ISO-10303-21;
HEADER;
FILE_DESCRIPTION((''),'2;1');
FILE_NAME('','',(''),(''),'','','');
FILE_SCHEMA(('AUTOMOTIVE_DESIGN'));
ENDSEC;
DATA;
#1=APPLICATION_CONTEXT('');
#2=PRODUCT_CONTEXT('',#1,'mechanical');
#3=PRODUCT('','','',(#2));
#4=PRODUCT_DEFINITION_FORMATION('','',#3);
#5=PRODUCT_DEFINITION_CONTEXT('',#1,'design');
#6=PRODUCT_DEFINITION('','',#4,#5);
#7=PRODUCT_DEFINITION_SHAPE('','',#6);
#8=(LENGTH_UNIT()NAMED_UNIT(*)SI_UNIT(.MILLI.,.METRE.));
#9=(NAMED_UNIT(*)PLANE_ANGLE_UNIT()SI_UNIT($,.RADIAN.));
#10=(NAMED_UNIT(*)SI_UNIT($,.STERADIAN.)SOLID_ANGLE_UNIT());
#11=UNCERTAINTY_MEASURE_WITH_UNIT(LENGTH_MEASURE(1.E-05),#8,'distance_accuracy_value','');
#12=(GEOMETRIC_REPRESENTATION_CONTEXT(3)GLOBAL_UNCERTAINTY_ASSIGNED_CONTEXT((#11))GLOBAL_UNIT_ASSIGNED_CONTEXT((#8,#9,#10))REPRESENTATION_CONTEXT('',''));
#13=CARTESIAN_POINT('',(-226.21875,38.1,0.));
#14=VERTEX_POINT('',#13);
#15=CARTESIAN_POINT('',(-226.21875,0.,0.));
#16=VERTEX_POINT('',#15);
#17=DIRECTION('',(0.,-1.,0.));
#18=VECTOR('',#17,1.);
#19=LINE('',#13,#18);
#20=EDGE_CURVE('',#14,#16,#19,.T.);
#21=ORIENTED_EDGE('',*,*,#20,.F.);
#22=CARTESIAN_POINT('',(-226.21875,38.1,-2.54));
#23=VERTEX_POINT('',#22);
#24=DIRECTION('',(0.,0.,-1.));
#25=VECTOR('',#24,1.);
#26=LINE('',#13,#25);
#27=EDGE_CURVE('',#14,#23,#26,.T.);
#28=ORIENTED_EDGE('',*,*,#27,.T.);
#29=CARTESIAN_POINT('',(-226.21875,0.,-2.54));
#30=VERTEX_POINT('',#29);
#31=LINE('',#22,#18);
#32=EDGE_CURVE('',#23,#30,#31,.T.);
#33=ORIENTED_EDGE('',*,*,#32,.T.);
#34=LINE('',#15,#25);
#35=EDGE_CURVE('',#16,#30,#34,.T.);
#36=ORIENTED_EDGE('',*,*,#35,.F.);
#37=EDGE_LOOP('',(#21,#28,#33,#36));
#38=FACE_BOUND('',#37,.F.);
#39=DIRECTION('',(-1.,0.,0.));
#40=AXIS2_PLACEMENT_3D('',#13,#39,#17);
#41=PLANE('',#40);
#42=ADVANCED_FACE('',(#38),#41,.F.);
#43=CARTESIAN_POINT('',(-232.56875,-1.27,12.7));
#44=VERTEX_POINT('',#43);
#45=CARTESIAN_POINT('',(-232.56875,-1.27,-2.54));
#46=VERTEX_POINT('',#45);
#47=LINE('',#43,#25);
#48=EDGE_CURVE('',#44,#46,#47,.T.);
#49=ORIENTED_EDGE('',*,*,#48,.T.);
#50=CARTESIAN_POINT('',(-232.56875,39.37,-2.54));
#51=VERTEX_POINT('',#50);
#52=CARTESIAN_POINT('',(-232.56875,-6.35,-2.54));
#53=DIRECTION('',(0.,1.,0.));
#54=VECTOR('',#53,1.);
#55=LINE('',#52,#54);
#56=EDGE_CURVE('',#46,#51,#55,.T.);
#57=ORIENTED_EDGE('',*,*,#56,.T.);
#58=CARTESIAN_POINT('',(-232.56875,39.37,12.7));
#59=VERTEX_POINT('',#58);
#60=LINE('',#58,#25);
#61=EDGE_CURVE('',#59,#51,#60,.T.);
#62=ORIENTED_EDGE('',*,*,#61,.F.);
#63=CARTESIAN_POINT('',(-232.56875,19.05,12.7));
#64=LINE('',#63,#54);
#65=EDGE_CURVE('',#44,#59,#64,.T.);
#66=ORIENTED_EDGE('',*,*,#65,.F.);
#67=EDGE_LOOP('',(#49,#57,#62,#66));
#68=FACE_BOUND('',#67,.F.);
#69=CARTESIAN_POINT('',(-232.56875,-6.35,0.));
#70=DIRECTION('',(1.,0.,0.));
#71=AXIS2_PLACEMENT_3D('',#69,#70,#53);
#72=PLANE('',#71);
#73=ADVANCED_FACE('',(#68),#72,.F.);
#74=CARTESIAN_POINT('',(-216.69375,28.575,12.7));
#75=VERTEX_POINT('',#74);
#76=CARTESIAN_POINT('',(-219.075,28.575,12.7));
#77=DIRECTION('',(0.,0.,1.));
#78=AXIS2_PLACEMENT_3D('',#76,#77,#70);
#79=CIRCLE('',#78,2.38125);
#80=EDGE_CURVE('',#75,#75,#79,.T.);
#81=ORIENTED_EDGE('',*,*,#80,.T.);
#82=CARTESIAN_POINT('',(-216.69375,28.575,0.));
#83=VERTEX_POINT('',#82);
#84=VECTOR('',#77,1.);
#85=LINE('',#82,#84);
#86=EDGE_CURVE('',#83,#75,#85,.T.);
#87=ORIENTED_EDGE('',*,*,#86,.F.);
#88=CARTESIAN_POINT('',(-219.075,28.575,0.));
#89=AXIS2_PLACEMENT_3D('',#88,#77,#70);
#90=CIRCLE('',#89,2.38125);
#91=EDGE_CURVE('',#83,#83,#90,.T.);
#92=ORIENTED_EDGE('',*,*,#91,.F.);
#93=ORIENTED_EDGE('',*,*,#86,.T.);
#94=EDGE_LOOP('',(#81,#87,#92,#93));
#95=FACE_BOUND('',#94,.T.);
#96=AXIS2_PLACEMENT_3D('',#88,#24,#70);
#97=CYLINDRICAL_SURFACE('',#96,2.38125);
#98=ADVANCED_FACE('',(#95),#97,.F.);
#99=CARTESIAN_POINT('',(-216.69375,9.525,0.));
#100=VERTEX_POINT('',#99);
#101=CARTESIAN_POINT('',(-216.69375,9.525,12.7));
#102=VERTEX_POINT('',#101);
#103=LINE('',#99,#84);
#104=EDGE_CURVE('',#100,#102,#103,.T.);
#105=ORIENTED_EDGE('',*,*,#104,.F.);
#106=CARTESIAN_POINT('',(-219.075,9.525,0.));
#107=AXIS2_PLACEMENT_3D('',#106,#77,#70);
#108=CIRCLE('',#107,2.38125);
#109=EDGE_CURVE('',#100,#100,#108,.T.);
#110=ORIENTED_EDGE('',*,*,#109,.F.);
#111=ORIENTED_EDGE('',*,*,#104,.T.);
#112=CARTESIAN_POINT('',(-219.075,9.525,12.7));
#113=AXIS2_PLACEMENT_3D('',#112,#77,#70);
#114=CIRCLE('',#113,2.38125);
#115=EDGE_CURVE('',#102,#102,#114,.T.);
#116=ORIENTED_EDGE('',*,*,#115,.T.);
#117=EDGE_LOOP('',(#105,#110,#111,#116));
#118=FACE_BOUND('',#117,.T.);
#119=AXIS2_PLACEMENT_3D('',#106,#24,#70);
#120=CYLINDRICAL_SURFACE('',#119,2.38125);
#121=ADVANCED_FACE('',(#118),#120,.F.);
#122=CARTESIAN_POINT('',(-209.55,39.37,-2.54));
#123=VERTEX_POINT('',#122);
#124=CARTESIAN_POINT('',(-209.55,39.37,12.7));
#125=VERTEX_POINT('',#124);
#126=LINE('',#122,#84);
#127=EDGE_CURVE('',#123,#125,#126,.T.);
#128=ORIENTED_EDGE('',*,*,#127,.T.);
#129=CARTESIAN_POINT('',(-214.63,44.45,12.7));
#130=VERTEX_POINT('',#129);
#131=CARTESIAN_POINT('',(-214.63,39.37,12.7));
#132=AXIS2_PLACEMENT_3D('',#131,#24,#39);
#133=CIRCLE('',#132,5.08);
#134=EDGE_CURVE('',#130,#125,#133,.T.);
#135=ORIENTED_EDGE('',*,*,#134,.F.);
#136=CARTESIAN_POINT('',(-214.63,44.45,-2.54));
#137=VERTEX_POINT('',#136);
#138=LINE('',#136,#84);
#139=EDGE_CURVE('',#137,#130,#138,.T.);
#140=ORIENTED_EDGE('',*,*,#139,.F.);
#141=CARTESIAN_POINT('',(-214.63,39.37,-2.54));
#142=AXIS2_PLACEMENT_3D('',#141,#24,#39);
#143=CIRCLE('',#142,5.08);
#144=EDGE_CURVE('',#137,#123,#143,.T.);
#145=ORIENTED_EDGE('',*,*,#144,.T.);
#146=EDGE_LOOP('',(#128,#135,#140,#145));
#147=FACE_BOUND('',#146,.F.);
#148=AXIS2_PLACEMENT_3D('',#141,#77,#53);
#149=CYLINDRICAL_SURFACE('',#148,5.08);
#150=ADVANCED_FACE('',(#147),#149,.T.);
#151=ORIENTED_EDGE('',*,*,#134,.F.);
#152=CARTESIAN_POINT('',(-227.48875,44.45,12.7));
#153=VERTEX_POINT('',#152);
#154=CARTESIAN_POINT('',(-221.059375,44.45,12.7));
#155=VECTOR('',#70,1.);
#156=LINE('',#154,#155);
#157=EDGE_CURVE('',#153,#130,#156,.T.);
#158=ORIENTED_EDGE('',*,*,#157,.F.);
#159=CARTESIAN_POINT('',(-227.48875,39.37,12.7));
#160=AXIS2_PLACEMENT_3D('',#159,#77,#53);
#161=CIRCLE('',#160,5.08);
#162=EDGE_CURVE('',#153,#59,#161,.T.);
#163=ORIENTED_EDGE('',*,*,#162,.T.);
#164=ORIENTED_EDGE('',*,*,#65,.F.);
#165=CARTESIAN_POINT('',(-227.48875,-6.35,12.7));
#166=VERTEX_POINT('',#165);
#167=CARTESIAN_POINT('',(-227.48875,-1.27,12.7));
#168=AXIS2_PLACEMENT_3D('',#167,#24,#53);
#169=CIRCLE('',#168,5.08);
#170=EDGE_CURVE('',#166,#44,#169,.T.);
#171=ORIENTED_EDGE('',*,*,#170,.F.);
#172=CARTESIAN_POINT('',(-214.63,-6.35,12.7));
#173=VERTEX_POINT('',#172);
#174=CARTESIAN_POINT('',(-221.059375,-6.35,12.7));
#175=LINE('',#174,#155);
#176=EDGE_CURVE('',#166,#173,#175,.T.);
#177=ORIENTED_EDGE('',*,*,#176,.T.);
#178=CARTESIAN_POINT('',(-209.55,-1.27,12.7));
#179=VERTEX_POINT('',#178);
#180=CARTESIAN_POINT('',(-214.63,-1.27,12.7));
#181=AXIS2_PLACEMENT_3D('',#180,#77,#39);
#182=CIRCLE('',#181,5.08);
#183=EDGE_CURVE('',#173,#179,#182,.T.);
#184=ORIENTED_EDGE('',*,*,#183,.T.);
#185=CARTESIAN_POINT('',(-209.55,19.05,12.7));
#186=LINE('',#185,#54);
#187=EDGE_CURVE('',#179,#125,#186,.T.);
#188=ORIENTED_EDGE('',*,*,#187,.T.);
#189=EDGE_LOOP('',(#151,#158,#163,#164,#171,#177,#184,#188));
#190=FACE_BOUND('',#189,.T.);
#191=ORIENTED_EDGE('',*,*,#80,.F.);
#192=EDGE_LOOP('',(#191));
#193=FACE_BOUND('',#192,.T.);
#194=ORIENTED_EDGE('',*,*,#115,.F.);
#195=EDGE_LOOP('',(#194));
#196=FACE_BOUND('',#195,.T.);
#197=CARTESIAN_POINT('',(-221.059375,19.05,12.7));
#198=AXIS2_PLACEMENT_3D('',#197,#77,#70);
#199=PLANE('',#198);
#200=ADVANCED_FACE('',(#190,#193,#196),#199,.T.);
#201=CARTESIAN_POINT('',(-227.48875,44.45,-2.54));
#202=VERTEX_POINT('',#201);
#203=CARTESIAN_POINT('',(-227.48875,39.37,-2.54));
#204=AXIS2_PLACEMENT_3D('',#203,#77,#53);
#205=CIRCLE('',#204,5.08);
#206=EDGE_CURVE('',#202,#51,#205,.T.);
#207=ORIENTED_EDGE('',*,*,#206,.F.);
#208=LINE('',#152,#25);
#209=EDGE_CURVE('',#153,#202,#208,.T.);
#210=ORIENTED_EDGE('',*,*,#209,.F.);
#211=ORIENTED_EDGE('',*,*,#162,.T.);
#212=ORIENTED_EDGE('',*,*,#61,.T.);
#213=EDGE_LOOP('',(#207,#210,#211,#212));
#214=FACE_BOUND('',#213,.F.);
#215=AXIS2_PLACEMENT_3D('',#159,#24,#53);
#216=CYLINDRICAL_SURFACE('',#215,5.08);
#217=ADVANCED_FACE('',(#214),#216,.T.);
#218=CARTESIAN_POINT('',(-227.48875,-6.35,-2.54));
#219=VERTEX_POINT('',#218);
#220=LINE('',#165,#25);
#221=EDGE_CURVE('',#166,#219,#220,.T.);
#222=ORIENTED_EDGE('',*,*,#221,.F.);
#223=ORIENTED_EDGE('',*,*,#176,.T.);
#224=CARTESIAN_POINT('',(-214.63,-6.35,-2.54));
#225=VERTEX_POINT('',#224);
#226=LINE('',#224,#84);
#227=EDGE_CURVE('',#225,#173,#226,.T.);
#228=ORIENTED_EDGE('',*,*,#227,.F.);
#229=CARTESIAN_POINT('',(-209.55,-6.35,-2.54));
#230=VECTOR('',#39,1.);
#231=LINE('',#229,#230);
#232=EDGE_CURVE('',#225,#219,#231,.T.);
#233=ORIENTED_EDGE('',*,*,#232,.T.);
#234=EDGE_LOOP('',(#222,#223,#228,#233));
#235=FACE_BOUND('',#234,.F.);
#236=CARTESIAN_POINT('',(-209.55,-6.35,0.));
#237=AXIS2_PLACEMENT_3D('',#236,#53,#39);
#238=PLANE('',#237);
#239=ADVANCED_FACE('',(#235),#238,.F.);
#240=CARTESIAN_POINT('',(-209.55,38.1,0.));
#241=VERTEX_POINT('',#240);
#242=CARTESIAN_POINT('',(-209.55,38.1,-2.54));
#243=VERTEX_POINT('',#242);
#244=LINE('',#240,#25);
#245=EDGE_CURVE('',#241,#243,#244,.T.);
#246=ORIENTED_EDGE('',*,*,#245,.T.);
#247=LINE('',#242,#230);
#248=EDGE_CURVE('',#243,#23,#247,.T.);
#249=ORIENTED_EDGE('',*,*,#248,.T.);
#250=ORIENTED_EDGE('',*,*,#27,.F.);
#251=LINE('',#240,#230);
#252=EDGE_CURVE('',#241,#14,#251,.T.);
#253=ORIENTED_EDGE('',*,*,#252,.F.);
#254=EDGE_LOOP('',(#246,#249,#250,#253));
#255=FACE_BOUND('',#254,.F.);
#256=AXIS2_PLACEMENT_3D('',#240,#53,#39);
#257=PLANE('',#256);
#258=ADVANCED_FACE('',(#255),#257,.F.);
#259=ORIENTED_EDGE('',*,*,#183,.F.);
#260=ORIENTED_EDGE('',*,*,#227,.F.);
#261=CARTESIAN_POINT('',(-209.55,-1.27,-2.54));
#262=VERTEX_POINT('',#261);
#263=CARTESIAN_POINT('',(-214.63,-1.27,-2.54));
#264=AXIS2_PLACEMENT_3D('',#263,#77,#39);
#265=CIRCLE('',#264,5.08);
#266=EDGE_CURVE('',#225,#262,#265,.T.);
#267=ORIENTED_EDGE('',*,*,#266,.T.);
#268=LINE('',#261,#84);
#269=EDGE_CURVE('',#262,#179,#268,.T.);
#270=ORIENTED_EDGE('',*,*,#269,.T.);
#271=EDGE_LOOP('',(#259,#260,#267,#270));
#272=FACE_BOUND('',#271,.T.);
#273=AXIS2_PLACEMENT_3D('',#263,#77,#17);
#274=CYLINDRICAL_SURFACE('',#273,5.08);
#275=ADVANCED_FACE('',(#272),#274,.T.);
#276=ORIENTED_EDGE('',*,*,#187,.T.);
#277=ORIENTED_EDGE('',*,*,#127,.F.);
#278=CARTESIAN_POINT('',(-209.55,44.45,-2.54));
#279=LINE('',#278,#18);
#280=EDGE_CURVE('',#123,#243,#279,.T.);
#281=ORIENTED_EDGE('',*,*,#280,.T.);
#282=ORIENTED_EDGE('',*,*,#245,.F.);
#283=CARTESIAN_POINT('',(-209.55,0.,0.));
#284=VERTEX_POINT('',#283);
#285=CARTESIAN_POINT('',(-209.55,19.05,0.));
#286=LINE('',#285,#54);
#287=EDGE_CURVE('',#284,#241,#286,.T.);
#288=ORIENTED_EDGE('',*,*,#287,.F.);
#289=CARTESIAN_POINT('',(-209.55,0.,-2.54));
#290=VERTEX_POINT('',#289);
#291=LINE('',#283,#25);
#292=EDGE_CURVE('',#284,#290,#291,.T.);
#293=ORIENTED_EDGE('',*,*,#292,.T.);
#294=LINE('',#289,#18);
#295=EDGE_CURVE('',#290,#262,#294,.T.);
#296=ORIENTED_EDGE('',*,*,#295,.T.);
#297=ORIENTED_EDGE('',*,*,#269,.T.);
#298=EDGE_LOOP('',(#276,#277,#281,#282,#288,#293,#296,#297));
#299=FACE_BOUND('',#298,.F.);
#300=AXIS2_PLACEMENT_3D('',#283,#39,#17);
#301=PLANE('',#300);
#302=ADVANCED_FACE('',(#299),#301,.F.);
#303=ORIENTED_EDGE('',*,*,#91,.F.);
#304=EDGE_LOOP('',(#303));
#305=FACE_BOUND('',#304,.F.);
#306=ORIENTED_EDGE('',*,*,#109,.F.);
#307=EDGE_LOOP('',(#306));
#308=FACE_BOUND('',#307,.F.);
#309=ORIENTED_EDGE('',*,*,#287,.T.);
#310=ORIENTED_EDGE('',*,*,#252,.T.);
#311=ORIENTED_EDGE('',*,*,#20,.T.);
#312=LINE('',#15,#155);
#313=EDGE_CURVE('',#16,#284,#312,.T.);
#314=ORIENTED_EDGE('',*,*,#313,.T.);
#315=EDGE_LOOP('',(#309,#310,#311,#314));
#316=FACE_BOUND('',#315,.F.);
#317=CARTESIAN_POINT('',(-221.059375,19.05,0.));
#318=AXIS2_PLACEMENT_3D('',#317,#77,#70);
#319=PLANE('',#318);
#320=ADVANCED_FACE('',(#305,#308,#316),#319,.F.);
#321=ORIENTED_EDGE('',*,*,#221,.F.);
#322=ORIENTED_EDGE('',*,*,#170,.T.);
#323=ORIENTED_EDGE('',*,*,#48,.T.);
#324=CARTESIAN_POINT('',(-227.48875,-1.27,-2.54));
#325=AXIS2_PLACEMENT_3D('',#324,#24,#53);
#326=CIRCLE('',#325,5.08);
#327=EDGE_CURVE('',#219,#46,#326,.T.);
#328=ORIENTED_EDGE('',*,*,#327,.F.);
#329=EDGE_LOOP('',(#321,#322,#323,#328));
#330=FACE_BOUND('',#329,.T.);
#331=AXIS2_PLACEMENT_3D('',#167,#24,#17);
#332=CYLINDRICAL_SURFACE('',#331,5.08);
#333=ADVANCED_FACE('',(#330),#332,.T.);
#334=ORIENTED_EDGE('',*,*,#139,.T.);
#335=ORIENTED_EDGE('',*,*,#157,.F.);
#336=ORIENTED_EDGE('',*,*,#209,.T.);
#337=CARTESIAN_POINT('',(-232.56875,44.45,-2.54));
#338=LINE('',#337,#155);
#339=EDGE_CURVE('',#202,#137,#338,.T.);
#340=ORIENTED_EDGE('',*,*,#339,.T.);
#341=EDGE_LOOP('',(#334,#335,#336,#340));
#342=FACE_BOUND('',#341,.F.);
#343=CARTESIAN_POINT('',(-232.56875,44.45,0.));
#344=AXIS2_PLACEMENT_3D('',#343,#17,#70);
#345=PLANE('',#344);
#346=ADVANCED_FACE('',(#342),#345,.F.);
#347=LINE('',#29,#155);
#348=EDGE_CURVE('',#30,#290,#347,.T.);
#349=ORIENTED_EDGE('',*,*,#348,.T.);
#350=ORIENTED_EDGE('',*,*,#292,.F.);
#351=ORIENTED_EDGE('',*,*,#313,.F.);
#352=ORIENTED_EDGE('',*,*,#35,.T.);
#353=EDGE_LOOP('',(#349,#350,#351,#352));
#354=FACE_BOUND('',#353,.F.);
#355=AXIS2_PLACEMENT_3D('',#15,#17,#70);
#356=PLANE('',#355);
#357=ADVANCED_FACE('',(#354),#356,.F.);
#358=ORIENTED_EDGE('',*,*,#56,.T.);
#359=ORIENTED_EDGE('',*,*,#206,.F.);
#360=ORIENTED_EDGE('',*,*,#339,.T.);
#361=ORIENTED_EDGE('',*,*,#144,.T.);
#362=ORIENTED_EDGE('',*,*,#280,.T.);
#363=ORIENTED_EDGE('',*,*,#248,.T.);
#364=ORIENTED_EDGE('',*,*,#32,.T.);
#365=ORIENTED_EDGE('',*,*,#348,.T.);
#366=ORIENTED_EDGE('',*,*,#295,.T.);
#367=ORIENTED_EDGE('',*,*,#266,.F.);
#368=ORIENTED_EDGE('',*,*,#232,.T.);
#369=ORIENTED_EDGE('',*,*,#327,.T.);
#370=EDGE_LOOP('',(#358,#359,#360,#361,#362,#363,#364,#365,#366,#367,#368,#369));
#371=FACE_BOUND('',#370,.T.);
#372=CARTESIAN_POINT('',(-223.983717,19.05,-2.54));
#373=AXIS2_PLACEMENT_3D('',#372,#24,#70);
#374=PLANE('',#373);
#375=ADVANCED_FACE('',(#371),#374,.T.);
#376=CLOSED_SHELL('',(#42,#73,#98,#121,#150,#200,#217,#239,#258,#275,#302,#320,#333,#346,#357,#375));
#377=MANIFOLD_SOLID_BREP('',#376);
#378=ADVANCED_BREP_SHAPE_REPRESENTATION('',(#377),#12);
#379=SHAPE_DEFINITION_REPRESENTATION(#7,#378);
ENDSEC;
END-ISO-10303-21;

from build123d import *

# Parameters (mm, degrees)
F1_W     = 23.01875
F1_H     = 50.8
F1_R     = 2.38125
F2_DEPTH = 12.7
F4_DEPTH = 2.54
F5_R     = 5.08


with BuildPart() as f2:
    # F1 (on Top) → F2 (new body)
    with BuildSketch(Plane.XY):
        with Locations((-221.059375, 19.05)):
            Rectangle(F1_W, F1_H)
        with Locations((-219.075, 9.525)):
            Circle(F1_R, mode=Mode.SUBTRACT)
        with Locations((-219.075, 28.575)):
            Circle(F1_R, mode=Mode.SUBTRACT)
    extrude(amount=F2_DEPTH)

    # F3 (on face) → F4 (join)
    with BuildSketch(Plane(origin=(0, 0, 0), x_dir=(1, 0, 0), z_dir=(0, 0, -1))):
        Polygon((-209.55, 6.35), (-232.56875, 6.35), (-232.56875, -44.45), (-209.55, -44.45), (-209.55, -38.1), (-226.21875, -38.1), (-226.21875, 0), (-209.55, 0), align=None)
    extrude(amount=F4_DEPTH)

    # F5
    f5_edges = [f2.edges().sort_by_distance(p)[0] for p in [
        (-209.55, -6.35, 5.08),
        (-232.56875, -6.35, 5.08),
        (-232.56875, 44.45, 5.08),
        (-209.55, 44.45, 5.08),
    ]]
    fillet(f5_edges, radius=F5_R)


solid = f2.part
